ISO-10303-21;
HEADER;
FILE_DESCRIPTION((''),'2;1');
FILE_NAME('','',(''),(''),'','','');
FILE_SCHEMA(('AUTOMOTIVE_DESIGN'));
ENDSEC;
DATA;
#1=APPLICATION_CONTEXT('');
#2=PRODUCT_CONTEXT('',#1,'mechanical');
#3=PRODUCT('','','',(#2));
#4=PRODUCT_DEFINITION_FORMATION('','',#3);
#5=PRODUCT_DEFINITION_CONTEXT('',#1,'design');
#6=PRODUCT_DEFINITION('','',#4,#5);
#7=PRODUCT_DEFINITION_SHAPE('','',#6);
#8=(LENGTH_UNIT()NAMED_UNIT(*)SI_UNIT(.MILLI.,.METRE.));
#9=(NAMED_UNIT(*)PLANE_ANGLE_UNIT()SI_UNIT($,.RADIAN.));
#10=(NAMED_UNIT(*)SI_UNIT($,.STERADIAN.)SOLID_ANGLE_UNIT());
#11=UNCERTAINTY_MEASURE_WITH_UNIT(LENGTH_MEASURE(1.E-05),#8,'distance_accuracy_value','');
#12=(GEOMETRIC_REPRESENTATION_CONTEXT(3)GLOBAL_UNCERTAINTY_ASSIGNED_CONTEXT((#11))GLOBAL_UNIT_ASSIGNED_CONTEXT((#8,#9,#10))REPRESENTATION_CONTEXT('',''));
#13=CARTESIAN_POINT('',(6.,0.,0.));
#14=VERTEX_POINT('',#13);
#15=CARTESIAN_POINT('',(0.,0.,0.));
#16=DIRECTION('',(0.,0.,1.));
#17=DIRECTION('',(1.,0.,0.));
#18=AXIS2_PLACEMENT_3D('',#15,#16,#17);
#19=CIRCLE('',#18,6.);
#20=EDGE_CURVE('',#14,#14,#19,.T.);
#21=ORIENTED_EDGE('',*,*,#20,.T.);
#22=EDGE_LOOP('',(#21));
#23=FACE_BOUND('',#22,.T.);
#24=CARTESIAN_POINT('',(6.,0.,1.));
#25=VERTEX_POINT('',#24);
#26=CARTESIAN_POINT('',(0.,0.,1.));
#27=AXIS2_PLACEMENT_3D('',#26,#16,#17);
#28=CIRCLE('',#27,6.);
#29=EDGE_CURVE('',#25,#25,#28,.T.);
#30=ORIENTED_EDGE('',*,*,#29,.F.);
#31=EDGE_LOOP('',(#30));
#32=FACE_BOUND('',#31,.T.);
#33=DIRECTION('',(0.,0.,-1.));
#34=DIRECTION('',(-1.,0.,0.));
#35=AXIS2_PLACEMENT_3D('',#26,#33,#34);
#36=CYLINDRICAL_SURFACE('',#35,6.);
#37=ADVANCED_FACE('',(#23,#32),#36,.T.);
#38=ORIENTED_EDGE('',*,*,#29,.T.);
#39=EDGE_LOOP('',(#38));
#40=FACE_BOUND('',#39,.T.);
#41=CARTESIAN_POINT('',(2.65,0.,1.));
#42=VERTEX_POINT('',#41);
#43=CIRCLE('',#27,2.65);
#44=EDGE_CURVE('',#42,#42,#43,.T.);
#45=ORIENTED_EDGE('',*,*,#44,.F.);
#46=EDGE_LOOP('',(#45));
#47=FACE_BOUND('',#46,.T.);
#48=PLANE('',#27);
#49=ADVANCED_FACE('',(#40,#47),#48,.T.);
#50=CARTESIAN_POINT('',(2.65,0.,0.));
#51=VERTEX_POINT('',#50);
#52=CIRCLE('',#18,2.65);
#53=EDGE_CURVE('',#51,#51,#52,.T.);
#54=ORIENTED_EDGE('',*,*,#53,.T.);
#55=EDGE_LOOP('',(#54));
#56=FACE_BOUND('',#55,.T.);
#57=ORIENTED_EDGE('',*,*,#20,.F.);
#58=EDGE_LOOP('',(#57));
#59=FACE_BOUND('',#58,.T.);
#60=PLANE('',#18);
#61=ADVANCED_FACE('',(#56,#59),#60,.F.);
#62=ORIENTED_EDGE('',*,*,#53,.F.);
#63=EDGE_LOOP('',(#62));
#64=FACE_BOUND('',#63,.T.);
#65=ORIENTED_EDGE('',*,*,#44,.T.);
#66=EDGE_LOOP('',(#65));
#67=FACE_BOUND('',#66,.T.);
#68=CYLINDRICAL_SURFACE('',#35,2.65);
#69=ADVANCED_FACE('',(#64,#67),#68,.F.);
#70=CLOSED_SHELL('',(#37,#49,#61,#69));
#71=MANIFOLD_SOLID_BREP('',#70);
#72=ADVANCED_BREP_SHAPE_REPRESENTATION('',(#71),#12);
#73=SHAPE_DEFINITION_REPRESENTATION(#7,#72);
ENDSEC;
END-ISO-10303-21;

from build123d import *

# Parameters (mm, degrees)
ESQUISSE1_R      = 6
ESQUISSE1_R_2    = 2.65
EXTRUSION1_DEPTH = 1


with BuildPart() as part:
    # Esquisse1 → Extrusion1 (new body)
    with BuildSketch(Plane.XY):
        Circle(ESQUISSE1_R)
        Circle(ESQUISSE1_R_2, mode=Mode.SUBTRACT)
    extrude(amount=EXTRUSION1_DEPTH)


solid = part.part
